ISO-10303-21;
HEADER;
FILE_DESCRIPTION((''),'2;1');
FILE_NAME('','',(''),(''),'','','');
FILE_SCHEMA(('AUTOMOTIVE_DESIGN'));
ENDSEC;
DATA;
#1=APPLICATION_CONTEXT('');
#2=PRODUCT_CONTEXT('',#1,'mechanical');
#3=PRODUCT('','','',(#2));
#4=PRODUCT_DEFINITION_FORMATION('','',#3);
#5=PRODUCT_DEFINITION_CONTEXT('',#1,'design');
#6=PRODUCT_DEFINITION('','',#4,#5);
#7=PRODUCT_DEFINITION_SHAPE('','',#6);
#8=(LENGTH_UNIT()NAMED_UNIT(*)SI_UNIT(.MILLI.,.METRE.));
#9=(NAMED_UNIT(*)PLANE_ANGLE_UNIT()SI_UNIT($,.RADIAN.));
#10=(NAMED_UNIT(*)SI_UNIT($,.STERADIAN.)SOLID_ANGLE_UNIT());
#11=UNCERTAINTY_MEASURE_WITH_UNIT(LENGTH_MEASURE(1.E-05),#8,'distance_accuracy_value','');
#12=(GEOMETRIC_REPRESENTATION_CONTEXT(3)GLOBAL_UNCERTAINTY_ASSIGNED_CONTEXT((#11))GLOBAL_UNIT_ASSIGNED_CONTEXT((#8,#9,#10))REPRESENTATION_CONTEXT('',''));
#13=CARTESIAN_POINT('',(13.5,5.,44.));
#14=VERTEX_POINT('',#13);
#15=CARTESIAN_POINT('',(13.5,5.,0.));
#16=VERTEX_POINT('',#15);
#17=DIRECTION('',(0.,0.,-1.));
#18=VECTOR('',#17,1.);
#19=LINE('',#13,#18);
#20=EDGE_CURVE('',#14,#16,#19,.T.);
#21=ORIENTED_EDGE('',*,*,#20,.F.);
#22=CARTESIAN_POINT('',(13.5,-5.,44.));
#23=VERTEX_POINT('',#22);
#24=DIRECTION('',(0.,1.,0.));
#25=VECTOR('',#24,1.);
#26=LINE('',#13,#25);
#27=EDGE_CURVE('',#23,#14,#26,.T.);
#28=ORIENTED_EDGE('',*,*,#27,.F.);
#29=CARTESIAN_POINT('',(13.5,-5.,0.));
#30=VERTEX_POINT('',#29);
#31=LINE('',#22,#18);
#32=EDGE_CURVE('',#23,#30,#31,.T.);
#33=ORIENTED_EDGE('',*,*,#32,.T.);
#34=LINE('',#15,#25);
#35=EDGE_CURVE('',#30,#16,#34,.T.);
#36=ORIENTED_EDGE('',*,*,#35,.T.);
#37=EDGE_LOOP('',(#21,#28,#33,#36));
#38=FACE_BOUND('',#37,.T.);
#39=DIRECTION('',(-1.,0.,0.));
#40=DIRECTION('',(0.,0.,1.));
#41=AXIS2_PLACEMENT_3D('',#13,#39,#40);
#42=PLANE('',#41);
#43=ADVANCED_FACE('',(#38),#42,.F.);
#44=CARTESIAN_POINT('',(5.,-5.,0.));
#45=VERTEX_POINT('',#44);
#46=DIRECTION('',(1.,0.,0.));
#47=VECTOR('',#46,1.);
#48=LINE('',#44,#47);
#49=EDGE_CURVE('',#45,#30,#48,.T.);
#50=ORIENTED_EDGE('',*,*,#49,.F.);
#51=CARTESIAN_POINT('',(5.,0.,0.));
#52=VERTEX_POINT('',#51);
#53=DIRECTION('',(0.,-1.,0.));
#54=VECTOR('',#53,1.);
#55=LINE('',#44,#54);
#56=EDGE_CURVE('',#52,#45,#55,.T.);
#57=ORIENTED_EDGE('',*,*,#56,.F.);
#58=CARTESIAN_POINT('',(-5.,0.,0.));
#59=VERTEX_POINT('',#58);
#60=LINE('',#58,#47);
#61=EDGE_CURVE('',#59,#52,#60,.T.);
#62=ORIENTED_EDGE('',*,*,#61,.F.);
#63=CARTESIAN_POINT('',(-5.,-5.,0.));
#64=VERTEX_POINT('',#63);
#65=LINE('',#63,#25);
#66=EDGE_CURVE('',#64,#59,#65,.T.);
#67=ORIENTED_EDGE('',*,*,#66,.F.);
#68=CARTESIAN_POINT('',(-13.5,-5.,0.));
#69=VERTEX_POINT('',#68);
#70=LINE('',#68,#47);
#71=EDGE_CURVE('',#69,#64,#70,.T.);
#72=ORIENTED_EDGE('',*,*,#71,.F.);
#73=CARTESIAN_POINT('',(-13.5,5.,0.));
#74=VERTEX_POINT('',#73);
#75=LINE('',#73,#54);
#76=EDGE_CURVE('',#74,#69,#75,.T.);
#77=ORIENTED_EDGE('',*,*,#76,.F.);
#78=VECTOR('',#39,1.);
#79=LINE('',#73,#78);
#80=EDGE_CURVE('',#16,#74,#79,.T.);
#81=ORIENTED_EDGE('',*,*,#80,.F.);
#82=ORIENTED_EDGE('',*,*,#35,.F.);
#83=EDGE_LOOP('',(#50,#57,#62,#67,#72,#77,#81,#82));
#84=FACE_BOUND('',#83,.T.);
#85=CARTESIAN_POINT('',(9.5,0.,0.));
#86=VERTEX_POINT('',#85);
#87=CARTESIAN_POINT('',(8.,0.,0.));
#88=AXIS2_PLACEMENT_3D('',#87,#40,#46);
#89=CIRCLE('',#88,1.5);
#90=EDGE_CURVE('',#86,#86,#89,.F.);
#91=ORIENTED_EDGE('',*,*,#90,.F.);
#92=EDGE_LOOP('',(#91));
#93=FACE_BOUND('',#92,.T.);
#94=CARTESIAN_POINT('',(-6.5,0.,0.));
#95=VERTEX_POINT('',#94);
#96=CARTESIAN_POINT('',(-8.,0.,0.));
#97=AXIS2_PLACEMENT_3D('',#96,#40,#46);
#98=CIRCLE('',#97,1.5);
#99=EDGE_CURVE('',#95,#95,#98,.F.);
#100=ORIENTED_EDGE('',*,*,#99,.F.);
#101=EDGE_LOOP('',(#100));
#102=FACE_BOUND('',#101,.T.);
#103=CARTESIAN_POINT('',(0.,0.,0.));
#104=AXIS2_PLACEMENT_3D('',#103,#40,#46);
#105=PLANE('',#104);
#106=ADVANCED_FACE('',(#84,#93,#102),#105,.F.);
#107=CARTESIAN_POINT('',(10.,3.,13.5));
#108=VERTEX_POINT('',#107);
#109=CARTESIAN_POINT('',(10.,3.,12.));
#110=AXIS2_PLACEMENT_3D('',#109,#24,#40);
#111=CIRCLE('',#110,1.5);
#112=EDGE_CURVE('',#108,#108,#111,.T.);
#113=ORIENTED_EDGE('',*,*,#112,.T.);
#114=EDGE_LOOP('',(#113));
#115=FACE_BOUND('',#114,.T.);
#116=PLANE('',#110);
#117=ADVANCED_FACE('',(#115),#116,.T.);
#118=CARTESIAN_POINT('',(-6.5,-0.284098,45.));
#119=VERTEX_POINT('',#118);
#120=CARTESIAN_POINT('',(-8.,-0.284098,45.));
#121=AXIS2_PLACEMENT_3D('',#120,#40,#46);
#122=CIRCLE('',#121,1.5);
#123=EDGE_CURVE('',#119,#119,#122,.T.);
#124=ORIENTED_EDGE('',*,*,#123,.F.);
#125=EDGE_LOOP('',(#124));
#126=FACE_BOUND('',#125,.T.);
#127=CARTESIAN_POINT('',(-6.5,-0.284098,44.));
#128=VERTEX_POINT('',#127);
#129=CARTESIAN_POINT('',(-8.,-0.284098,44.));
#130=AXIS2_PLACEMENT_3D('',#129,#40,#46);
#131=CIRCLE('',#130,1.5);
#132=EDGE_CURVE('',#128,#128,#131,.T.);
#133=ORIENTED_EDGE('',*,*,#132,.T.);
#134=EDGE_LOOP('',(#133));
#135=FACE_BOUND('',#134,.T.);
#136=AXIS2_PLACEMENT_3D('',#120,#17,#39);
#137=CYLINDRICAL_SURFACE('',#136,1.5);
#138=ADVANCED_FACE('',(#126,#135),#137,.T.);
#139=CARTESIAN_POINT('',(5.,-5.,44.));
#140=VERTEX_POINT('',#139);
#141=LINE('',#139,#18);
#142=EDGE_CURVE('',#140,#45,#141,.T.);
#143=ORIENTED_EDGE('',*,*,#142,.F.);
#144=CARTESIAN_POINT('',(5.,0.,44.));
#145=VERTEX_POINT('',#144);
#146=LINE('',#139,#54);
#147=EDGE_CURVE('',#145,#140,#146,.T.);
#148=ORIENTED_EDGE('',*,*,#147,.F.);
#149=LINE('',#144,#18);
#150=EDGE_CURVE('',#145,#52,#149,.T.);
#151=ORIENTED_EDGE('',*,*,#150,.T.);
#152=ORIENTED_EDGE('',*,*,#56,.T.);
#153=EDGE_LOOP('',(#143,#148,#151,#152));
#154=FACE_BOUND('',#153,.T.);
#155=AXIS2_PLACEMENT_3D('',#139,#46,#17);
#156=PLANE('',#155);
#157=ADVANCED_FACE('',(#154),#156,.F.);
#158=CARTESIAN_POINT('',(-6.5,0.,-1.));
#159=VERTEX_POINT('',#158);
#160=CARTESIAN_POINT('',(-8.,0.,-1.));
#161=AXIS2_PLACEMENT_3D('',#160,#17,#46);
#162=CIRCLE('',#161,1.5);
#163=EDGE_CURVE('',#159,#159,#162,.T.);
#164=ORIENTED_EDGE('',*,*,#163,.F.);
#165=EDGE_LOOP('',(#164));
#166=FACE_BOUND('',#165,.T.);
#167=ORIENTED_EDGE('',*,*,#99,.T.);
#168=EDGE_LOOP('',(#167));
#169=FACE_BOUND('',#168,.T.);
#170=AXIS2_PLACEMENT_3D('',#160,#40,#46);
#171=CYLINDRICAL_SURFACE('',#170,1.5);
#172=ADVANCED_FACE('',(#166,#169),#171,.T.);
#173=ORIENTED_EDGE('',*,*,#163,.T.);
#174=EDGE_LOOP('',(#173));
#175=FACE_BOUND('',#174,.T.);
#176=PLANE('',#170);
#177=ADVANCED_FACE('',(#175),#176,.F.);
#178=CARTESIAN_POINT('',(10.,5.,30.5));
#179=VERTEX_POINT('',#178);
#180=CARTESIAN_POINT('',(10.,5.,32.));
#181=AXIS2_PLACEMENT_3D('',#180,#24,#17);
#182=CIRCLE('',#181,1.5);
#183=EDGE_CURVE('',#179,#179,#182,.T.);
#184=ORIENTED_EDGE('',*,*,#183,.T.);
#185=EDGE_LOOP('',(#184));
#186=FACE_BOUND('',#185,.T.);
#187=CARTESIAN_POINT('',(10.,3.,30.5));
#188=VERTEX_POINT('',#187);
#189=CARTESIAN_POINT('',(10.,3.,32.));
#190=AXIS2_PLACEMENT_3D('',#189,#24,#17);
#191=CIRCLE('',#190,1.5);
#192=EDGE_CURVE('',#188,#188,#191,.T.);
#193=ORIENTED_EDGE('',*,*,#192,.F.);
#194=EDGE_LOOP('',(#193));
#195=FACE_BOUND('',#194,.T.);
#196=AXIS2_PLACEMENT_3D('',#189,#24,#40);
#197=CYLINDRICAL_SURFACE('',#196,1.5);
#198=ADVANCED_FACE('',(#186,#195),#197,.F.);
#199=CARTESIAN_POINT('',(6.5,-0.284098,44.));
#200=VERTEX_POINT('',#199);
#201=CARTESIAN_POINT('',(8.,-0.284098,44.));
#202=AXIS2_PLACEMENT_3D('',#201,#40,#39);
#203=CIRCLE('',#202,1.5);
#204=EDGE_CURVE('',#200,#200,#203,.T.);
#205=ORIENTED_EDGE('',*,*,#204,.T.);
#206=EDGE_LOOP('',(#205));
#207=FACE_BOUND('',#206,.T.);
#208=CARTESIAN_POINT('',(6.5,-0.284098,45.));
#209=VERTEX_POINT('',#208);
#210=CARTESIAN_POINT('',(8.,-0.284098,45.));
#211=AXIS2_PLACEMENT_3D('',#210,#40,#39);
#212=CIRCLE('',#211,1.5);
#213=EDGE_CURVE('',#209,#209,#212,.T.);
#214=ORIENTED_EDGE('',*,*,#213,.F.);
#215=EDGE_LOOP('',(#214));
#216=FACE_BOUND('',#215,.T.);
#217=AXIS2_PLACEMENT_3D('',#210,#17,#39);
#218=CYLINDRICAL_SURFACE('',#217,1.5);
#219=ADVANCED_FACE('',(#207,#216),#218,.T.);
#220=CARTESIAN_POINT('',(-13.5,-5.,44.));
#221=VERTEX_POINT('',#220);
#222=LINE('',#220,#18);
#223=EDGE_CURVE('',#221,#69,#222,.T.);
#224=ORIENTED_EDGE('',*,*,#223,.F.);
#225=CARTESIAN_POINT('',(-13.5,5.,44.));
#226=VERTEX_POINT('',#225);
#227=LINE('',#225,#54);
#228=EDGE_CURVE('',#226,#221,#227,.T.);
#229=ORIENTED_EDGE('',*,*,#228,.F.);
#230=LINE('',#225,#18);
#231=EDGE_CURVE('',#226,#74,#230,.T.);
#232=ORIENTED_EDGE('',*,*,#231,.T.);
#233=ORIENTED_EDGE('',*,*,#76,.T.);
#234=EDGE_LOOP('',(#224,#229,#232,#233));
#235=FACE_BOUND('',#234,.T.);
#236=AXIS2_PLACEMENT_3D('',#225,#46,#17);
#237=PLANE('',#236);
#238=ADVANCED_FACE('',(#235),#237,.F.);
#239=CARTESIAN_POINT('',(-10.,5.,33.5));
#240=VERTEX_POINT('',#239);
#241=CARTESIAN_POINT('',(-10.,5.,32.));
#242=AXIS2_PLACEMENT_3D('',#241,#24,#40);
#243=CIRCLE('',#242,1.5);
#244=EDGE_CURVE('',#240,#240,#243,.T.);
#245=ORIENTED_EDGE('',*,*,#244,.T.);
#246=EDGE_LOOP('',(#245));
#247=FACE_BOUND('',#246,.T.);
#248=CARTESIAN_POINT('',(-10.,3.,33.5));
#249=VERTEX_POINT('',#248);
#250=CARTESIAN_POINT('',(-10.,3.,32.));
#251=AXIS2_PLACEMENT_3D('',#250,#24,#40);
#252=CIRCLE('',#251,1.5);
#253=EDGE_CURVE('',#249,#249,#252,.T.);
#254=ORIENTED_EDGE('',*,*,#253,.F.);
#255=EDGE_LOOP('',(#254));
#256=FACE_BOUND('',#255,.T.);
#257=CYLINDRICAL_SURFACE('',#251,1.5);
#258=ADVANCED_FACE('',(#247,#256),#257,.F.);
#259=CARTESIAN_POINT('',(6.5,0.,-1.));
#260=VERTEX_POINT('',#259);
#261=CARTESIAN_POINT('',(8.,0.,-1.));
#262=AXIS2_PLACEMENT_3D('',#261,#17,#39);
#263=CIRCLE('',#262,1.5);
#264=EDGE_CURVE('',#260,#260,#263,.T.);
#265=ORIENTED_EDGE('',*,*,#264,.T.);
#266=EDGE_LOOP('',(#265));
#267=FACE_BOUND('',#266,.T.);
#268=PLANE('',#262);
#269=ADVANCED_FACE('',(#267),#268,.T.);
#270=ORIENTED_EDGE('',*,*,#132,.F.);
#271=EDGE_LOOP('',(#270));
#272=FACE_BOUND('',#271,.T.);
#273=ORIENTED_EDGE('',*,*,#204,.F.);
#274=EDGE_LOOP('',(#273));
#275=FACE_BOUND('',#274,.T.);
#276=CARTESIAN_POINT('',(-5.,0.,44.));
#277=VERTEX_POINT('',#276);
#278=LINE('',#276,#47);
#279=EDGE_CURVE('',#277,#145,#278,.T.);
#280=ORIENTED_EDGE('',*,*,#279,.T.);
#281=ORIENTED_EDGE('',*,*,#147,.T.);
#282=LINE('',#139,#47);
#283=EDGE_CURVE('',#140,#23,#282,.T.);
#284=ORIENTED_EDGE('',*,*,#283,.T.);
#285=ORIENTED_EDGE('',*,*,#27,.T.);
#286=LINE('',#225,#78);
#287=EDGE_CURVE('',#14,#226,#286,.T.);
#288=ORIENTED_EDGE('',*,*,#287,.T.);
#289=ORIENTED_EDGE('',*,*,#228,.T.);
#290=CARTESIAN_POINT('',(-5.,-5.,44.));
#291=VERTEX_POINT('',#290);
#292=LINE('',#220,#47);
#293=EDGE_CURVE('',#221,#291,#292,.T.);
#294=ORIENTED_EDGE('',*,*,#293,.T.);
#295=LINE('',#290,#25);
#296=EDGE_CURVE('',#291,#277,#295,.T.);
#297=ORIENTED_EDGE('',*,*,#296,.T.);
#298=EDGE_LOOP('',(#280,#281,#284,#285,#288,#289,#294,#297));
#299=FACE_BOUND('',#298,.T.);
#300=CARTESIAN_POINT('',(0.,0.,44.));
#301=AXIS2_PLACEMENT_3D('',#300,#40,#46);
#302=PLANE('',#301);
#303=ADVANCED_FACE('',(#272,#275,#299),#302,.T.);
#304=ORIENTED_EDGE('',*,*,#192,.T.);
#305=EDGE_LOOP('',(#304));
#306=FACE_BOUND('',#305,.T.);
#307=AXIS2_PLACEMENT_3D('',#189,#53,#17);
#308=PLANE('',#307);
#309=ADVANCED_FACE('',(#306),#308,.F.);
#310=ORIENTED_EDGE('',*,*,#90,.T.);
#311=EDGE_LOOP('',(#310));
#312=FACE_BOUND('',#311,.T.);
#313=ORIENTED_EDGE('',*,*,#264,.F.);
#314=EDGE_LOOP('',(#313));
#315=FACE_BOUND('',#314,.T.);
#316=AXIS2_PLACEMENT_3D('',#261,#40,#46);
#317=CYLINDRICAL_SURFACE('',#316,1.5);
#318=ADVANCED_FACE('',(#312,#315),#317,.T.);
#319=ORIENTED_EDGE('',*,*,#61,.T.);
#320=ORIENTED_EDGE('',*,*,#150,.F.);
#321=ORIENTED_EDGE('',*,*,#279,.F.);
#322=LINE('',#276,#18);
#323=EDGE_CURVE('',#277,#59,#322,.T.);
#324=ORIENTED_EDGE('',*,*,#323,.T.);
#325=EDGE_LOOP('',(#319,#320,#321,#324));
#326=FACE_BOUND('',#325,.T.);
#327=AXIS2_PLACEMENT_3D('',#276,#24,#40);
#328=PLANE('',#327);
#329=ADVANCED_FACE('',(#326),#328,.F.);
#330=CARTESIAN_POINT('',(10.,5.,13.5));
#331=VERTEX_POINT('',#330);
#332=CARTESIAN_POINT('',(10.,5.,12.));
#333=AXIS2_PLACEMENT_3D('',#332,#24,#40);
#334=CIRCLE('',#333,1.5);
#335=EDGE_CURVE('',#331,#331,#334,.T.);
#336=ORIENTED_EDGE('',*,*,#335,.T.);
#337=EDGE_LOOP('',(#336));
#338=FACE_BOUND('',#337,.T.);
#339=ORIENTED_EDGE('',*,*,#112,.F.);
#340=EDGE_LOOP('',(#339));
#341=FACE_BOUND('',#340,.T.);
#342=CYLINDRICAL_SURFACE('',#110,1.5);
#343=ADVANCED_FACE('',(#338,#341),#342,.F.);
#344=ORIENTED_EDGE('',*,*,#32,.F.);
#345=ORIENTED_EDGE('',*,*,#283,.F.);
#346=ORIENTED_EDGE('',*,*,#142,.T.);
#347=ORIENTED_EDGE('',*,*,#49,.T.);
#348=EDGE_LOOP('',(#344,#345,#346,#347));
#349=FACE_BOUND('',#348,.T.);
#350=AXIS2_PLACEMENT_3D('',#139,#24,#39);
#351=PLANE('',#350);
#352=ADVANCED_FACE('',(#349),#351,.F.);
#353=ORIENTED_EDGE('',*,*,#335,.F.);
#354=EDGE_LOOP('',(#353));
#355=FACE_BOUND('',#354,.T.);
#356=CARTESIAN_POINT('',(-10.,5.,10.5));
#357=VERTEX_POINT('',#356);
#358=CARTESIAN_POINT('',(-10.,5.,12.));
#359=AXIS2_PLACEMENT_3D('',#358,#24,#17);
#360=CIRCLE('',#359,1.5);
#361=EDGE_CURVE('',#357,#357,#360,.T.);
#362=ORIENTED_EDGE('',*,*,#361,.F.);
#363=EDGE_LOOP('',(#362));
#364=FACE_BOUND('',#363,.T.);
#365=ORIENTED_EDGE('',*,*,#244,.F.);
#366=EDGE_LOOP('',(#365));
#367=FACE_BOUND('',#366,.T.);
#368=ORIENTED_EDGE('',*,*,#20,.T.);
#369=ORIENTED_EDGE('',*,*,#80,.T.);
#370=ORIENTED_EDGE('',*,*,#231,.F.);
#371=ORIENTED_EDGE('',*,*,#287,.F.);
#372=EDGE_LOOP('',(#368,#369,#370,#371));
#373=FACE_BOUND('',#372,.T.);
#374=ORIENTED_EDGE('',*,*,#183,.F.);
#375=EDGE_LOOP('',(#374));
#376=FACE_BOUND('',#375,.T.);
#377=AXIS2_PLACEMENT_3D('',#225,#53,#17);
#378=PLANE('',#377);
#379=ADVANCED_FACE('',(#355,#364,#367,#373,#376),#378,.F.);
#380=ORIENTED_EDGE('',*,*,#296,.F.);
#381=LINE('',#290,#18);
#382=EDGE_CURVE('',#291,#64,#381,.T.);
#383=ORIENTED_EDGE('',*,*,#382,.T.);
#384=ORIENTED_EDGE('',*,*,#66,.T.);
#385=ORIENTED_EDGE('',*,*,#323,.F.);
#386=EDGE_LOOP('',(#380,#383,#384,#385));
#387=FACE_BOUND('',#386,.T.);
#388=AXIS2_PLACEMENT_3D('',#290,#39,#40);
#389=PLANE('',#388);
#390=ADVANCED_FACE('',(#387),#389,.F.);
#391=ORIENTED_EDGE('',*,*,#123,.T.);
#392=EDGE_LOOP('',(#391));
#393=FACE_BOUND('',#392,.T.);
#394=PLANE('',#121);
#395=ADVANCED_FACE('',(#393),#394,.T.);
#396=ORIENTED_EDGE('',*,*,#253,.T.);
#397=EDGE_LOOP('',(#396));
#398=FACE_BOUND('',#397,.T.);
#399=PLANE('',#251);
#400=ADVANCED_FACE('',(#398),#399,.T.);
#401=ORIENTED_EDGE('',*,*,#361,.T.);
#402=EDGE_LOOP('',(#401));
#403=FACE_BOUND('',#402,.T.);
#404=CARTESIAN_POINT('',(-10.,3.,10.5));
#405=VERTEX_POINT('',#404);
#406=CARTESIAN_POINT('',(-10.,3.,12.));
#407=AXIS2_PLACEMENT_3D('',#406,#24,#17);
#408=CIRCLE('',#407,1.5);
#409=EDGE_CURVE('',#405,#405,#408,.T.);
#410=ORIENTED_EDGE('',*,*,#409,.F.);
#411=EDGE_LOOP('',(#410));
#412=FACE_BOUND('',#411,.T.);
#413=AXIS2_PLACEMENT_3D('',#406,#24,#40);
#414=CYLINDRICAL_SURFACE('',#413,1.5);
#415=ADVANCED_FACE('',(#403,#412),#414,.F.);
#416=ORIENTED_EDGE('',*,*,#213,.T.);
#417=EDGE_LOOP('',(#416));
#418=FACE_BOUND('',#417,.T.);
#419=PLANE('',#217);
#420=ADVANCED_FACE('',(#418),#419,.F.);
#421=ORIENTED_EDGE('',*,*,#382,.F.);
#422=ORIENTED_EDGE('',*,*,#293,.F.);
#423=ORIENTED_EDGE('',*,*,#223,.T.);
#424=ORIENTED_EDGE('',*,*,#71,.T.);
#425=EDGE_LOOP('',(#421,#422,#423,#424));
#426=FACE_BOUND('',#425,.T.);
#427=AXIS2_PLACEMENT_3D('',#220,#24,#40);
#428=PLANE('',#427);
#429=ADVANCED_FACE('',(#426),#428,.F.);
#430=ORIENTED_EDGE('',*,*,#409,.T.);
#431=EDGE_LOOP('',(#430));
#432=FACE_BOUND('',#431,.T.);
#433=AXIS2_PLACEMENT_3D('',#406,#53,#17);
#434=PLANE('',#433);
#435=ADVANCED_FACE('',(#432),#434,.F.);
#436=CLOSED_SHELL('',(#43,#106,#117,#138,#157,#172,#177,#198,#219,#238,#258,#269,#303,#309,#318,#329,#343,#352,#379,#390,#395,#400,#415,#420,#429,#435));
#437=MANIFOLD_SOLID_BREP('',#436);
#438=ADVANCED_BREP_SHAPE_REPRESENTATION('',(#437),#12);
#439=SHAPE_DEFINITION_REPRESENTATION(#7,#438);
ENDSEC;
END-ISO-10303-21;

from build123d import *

# Parameters (mm, degrees)
EXTRUDE_1_DEPTH     = 44
SKETCH_2_R          = 1.5
CUT_EXTRUDE_1_DEPTH = 2
SKETCH_3_R          = 1.5
EXTRUDE_2_DEPTH     = 1
SKETCH_4_R          = 1.5
EXTRUDE_3_DEPTH     = 1


with BuildPart() as part:
    # 草圖1 → 填料-伸長1 (new body)
    with BuildSketch(Plane.XY):
        Polygon((5, -5), (13.5, -5), (13.5, 5), (-13.5, 5), (-13.5, -5), (-5, -5), (-5, 0), (5, 0), align=None)
    extrude(amount=EXTRUDE_1_DEPTH)

    # 草圖2 → 除料-伸長1 (cut)
    with BuildSketch(Plane(origin=(0, 5, 0), x_dir=(1, 0, 0), z_dir=(0, 1, 0))):
        with Locations(Location((-10, -32, 0), (0, 0, 270))):
            Circle(SKETCH_2_R)
        with Locations(Location((10, -32, 0), (0, 0, 90))):
            Circle(SKETCH_2_R)
        with Locations(Location((10, -12, 0), (0, 0, 270))):
            Circle(SKETCH_2_R)
        with Locations(Location((-10, -12, 0), (0, 0, 90))):
            Circle(SKETCH_2_R)
    extrude(amount=-CUT_EXTRUDE_1_DEPTH, mode=Mode.SUBTRACT)

    # 草圖3 → 填料-伸長2 (add)
    with BuildSketch(Plane.XY.offset(44)):
        with Locations((-8, -0.28409819)):
            Circle(SKETCH_3_R)
        with Locations(Location((8, -0.28409819, 0), (0, 0, 180))):
            Circle(SKETCH_3_R)
    extrude(amount=EXTRUDE_2_DEPTH)

    # 草圖4 → 填料-伸長3 (add)
    with BuildSketch(Plane(origin=(0, 0, 0), x_dir=(-1, 0, 0), z_dir=(0, 0, -1))):
        with Locations(Location((-8, 0, 0), (0, 0, 180))):
            Circle(SKETCH_4_R)
        with Locations(Location((8, 0, 0), (0, 0, 180))):
            Circle(SKETCH_4_R)
    extrude(amount=EXTRUDE_3_DEPTH)


solid = part.part
